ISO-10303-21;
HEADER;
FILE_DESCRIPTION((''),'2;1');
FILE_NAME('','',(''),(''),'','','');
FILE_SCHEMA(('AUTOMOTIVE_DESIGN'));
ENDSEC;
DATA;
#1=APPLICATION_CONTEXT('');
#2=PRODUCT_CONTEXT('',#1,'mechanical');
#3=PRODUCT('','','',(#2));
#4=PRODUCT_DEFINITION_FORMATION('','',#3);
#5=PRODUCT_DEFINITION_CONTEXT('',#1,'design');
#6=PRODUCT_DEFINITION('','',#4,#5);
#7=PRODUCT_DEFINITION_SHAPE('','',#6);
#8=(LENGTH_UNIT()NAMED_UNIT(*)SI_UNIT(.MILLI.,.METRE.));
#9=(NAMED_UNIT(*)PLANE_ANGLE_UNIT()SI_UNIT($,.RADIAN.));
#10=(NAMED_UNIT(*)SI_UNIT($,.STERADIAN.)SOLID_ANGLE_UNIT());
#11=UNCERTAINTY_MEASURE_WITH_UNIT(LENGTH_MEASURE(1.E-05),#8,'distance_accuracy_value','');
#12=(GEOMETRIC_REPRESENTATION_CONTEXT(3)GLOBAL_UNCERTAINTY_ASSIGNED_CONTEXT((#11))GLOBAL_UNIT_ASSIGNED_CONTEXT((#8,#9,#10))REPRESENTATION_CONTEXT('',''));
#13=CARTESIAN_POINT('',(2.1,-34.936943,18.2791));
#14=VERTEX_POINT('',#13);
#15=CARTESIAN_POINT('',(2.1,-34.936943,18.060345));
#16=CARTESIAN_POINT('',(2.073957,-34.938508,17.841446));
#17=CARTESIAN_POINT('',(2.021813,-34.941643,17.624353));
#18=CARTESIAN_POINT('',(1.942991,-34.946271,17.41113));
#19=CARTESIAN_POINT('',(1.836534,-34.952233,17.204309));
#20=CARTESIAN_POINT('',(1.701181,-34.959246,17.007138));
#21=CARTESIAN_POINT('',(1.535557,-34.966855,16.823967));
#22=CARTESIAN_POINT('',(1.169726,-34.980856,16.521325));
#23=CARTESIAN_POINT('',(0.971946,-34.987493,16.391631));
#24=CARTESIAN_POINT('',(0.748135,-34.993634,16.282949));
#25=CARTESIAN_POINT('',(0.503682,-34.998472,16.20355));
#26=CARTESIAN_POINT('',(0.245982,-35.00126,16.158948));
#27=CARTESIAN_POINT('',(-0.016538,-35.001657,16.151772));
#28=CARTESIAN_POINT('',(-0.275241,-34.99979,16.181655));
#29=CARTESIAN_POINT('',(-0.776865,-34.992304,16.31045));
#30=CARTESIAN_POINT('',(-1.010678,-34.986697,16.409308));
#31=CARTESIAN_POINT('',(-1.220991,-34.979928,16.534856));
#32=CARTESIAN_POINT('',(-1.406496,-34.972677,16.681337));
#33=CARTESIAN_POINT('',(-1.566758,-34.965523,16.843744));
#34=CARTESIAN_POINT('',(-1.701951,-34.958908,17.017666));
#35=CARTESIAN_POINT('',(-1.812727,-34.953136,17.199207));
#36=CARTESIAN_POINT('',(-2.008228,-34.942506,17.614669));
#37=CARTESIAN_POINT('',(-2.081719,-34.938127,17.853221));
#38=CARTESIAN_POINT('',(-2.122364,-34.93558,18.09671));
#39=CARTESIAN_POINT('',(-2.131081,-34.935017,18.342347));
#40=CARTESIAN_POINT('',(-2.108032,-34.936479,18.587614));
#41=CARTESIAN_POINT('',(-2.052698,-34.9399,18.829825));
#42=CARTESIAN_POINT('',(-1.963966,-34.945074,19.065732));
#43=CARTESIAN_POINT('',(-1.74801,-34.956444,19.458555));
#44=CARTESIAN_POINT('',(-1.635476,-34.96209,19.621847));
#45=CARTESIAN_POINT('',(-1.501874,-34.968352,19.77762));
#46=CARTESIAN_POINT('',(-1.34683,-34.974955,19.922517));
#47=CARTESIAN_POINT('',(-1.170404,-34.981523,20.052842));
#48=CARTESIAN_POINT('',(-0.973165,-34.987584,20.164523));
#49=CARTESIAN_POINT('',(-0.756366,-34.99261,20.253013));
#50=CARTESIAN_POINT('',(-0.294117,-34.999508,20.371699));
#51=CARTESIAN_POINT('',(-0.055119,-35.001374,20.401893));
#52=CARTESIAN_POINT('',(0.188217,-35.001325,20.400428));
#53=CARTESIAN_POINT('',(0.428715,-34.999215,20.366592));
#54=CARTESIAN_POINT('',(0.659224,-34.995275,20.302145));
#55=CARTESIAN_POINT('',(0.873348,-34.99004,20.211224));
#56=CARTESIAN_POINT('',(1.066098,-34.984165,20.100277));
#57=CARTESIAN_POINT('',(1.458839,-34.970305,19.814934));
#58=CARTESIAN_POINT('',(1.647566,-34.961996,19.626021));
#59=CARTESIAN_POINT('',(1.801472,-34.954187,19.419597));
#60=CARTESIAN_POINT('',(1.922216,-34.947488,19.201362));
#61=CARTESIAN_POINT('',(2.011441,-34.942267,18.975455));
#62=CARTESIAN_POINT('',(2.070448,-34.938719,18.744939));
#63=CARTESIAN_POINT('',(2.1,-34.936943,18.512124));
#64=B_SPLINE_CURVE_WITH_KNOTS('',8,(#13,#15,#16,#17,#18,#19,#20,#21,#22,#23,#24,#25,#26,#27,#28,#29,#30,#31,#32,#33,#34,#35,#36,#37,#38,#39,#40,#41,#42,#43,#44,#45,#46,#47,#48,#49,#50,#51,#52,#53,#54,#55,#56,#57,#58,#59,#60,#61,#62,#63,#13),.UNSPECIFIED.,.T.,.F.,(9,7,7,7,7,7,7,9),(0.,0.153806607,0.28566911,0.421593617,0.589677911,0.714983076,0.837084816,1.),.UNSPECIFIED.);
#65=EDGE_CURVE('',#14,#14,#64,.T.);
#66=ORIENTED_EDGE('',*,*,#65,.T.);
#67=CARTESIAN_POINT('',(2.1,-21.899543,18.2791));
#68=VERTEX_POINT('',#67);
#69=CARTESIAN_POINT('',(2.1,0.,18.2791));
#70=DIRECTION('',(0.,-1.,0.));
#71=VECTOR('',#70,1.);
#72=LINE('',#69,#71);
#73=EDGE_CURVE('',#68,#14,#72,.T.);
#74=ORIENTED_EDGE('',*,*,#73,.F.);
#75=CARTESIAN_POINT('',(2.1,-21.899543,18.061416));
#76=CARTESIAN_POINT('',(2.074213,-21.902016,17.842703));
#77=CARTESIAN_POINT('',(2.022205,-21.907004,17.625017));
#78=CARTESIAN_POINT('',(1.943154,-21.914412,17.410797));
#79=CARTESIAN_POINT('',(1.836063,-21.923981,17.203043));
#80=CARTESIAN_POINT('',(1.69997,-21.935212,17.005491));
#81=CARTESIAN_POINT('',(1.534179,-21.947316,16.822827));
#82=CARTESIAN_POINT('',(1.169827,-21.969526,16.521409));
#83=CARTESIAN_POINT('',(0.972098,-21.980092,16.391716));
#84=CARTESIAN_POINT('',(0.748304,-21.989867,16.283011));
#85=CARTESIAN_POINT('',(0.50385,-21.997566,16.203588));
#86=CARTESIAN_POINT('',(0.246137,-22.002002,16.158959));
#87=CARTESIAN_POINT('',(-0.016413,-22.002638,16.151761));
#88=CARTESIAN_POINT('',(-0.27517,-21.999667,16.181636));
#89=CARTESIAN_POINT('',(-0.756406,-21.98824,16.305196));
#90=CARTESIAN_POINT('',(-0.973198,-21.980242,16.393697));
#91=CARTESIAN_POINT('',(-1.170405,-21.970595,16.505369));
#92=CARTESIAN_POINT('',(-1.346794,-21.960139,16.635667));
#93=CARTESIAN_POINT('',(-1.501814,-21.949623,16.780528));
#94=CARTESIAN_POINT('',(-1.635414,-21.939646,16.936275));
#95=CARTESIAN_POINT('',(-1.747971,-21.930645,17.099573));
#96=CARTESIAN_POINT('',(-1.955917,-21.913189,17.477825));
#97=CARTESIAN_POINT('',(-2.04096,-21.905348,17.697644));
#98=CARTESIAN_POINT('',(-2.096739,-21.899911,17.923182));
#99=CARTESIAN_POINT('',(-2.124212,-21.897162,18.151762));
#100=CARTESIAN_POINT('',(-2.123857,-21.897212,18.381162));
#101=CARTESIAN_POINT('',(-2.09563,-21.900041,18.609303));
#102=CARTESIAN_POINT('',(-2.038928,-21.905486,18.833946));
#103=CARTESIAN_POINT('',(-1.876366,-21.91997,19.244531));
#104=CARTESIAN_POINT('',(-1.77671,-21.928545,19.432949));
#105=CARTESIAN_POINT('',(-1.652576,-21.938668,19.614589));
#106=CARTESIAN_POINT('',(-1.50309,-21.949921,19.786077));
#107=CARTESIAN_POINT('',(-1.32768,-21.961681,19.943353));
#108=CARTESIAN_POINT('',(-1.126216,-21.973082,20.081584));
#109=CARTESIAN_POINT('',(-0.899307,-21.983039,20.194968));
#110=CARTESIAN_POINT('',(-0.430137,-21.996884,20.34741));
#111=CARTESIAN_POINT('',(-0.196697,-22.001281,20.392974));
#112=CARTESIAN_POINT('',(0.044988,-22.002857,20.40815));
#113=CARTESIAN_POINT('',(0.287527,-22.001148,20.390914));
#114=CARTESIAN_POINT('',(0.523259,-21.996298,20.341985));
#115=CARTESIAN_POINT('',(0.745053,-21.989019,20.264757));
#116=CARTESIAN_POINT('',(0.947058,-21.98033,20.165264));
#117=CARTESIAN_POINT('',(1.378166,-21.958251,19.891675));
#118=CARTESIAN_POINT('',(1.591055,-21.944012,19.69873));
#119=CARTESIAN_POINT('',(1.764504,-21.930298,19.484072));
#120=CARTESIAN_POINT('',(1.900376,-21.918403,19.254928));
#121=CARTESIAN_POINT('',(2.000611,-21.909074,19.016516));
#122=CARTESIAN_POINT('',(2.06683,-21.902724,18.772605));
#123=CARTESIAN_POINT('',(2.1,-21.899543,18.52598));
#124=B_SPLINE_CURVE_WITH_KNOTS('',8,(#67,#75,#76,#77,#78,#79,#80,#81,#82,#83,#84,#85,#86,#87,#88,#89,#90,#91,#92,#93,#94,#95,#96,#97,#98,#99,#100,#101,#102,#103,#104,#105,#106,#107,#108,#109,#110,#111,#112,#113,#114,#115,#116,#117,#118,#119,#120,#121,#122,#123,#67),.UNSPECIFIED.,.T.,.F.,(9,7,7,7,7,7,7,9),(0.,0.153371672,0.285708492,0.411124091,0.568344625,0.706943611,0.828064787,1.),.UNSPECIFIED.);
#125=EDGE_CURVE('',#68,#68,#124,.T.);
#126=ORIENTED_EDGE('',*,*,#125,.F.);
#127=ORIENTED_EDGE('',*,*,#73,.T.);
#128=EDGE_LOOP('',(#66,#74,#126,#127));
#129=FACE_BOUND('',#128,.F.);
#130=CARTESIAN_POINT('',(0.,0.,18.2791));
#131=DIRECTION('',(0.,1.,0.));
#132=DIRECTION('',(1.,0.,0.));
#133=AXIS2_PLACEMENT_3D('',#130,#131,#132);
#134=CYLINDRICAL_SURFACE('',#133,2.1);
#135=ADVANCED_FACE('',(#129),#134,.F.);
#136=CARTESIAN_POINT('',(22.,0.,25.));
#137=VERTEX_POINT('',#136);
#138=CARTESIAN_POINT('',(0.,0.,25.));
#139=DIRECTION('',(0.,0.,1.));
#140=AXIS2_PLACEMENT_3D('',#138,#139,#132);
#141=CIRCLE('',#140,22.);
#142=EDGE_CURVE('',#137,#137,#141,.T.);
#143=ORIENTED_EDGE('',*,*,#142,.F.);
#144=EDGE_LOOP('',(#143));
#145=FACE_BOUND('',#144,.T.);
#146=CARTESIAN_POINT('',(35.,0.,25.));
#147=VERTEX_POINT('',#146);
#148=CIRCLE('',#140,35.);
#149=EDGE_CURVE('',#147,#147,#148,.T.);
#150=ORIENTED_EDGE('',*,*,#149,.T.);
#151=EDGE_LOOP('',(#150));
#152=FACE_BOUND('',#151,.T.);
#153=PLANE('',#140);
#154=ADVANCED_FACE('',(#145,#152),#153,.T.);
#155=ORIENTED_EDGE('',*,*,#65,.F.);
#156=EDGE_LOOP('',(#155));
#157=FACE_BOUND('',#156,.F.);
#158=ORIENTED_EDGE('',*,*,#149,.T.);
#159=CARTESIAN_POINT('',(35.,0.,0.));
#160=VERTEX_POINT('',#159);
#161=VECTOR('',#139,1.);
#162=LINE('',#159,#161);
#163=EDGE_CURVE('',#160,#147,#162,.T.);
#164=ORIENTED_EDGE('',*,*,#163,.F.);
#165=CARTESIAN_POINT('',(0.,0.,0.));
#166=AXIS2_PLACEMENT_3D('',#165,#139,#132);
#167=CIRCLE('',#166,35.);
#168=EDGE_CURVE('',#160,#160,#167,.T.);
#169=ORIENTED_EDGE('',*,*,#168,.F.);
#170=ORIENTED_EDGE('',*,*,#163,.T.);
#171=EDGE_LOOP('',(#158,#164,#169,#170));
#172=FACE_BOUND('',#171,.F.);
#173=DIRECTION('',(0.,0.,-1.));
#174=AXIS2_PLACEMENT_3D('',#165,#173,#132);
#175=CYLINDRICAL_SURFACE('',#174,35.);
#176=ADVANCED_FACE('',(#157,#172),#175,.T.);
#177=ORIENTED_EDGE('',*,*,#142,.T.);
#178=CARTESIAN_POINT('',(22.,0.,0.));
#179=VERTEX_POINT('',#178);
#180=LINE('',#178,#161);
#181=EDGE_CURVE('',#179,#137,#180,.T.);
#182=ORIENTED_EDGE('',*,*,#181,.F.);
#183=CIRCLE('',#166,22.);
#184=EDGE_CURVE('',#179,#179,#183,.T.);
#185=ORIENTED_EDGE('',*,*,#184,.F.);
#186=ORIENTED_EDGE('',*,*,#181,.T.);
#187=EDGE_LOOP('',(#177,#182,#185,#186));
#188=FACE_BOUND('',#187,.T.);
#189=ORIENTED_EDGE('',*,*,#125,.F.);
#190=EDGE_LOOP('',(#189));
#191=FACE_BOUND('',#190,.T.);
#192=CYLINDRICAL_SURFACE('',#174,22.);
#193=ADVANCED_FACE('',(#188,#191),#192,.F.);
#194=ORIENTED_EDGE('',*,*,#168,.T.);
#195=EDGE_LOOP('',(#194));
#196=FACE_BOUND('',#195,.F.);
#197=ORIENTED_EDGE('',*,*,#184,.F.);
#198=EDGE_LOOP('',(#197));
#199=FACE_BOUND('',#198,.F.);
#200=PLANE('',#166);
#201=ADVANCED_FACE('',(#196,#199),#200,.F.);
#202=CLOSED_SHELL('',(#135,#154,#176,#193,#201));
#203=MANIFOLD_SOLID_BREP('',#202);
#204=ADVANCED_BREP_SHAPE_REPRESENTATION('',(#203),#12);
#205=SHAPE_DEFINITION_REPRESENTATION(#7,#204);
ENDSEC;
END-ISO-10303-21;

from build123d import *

# Parameters (mm, degrees)
F0_R     = 35
F0_R_2   = 22
F1_DEPTH = 25
F3_D     = 4.2
F3_DEPTH = 35.001


with BuildPart() as f1:
    # F0 (on Top) → F1 (new body)
    with BuildSketch(Plane.XY):
        Circle(F0_R)
        Circle(F0_R_2, mode=Mode.SUBTRACT)
    extrude(amount=F1_DEPTH)

    # F3 (through all, one way)
    with BuildSketch(Plane(origin=(0, 0, 0), x_dir=(1, 0, 0), z_dir=(0, 1, 0))):
        with Locations((0, -18.2790998369)):
            Circle(F3_D / 2)
    extrude(amount=-F3_DEPTH, mode=Mode.SUBTRACT)


solid = f1.part
